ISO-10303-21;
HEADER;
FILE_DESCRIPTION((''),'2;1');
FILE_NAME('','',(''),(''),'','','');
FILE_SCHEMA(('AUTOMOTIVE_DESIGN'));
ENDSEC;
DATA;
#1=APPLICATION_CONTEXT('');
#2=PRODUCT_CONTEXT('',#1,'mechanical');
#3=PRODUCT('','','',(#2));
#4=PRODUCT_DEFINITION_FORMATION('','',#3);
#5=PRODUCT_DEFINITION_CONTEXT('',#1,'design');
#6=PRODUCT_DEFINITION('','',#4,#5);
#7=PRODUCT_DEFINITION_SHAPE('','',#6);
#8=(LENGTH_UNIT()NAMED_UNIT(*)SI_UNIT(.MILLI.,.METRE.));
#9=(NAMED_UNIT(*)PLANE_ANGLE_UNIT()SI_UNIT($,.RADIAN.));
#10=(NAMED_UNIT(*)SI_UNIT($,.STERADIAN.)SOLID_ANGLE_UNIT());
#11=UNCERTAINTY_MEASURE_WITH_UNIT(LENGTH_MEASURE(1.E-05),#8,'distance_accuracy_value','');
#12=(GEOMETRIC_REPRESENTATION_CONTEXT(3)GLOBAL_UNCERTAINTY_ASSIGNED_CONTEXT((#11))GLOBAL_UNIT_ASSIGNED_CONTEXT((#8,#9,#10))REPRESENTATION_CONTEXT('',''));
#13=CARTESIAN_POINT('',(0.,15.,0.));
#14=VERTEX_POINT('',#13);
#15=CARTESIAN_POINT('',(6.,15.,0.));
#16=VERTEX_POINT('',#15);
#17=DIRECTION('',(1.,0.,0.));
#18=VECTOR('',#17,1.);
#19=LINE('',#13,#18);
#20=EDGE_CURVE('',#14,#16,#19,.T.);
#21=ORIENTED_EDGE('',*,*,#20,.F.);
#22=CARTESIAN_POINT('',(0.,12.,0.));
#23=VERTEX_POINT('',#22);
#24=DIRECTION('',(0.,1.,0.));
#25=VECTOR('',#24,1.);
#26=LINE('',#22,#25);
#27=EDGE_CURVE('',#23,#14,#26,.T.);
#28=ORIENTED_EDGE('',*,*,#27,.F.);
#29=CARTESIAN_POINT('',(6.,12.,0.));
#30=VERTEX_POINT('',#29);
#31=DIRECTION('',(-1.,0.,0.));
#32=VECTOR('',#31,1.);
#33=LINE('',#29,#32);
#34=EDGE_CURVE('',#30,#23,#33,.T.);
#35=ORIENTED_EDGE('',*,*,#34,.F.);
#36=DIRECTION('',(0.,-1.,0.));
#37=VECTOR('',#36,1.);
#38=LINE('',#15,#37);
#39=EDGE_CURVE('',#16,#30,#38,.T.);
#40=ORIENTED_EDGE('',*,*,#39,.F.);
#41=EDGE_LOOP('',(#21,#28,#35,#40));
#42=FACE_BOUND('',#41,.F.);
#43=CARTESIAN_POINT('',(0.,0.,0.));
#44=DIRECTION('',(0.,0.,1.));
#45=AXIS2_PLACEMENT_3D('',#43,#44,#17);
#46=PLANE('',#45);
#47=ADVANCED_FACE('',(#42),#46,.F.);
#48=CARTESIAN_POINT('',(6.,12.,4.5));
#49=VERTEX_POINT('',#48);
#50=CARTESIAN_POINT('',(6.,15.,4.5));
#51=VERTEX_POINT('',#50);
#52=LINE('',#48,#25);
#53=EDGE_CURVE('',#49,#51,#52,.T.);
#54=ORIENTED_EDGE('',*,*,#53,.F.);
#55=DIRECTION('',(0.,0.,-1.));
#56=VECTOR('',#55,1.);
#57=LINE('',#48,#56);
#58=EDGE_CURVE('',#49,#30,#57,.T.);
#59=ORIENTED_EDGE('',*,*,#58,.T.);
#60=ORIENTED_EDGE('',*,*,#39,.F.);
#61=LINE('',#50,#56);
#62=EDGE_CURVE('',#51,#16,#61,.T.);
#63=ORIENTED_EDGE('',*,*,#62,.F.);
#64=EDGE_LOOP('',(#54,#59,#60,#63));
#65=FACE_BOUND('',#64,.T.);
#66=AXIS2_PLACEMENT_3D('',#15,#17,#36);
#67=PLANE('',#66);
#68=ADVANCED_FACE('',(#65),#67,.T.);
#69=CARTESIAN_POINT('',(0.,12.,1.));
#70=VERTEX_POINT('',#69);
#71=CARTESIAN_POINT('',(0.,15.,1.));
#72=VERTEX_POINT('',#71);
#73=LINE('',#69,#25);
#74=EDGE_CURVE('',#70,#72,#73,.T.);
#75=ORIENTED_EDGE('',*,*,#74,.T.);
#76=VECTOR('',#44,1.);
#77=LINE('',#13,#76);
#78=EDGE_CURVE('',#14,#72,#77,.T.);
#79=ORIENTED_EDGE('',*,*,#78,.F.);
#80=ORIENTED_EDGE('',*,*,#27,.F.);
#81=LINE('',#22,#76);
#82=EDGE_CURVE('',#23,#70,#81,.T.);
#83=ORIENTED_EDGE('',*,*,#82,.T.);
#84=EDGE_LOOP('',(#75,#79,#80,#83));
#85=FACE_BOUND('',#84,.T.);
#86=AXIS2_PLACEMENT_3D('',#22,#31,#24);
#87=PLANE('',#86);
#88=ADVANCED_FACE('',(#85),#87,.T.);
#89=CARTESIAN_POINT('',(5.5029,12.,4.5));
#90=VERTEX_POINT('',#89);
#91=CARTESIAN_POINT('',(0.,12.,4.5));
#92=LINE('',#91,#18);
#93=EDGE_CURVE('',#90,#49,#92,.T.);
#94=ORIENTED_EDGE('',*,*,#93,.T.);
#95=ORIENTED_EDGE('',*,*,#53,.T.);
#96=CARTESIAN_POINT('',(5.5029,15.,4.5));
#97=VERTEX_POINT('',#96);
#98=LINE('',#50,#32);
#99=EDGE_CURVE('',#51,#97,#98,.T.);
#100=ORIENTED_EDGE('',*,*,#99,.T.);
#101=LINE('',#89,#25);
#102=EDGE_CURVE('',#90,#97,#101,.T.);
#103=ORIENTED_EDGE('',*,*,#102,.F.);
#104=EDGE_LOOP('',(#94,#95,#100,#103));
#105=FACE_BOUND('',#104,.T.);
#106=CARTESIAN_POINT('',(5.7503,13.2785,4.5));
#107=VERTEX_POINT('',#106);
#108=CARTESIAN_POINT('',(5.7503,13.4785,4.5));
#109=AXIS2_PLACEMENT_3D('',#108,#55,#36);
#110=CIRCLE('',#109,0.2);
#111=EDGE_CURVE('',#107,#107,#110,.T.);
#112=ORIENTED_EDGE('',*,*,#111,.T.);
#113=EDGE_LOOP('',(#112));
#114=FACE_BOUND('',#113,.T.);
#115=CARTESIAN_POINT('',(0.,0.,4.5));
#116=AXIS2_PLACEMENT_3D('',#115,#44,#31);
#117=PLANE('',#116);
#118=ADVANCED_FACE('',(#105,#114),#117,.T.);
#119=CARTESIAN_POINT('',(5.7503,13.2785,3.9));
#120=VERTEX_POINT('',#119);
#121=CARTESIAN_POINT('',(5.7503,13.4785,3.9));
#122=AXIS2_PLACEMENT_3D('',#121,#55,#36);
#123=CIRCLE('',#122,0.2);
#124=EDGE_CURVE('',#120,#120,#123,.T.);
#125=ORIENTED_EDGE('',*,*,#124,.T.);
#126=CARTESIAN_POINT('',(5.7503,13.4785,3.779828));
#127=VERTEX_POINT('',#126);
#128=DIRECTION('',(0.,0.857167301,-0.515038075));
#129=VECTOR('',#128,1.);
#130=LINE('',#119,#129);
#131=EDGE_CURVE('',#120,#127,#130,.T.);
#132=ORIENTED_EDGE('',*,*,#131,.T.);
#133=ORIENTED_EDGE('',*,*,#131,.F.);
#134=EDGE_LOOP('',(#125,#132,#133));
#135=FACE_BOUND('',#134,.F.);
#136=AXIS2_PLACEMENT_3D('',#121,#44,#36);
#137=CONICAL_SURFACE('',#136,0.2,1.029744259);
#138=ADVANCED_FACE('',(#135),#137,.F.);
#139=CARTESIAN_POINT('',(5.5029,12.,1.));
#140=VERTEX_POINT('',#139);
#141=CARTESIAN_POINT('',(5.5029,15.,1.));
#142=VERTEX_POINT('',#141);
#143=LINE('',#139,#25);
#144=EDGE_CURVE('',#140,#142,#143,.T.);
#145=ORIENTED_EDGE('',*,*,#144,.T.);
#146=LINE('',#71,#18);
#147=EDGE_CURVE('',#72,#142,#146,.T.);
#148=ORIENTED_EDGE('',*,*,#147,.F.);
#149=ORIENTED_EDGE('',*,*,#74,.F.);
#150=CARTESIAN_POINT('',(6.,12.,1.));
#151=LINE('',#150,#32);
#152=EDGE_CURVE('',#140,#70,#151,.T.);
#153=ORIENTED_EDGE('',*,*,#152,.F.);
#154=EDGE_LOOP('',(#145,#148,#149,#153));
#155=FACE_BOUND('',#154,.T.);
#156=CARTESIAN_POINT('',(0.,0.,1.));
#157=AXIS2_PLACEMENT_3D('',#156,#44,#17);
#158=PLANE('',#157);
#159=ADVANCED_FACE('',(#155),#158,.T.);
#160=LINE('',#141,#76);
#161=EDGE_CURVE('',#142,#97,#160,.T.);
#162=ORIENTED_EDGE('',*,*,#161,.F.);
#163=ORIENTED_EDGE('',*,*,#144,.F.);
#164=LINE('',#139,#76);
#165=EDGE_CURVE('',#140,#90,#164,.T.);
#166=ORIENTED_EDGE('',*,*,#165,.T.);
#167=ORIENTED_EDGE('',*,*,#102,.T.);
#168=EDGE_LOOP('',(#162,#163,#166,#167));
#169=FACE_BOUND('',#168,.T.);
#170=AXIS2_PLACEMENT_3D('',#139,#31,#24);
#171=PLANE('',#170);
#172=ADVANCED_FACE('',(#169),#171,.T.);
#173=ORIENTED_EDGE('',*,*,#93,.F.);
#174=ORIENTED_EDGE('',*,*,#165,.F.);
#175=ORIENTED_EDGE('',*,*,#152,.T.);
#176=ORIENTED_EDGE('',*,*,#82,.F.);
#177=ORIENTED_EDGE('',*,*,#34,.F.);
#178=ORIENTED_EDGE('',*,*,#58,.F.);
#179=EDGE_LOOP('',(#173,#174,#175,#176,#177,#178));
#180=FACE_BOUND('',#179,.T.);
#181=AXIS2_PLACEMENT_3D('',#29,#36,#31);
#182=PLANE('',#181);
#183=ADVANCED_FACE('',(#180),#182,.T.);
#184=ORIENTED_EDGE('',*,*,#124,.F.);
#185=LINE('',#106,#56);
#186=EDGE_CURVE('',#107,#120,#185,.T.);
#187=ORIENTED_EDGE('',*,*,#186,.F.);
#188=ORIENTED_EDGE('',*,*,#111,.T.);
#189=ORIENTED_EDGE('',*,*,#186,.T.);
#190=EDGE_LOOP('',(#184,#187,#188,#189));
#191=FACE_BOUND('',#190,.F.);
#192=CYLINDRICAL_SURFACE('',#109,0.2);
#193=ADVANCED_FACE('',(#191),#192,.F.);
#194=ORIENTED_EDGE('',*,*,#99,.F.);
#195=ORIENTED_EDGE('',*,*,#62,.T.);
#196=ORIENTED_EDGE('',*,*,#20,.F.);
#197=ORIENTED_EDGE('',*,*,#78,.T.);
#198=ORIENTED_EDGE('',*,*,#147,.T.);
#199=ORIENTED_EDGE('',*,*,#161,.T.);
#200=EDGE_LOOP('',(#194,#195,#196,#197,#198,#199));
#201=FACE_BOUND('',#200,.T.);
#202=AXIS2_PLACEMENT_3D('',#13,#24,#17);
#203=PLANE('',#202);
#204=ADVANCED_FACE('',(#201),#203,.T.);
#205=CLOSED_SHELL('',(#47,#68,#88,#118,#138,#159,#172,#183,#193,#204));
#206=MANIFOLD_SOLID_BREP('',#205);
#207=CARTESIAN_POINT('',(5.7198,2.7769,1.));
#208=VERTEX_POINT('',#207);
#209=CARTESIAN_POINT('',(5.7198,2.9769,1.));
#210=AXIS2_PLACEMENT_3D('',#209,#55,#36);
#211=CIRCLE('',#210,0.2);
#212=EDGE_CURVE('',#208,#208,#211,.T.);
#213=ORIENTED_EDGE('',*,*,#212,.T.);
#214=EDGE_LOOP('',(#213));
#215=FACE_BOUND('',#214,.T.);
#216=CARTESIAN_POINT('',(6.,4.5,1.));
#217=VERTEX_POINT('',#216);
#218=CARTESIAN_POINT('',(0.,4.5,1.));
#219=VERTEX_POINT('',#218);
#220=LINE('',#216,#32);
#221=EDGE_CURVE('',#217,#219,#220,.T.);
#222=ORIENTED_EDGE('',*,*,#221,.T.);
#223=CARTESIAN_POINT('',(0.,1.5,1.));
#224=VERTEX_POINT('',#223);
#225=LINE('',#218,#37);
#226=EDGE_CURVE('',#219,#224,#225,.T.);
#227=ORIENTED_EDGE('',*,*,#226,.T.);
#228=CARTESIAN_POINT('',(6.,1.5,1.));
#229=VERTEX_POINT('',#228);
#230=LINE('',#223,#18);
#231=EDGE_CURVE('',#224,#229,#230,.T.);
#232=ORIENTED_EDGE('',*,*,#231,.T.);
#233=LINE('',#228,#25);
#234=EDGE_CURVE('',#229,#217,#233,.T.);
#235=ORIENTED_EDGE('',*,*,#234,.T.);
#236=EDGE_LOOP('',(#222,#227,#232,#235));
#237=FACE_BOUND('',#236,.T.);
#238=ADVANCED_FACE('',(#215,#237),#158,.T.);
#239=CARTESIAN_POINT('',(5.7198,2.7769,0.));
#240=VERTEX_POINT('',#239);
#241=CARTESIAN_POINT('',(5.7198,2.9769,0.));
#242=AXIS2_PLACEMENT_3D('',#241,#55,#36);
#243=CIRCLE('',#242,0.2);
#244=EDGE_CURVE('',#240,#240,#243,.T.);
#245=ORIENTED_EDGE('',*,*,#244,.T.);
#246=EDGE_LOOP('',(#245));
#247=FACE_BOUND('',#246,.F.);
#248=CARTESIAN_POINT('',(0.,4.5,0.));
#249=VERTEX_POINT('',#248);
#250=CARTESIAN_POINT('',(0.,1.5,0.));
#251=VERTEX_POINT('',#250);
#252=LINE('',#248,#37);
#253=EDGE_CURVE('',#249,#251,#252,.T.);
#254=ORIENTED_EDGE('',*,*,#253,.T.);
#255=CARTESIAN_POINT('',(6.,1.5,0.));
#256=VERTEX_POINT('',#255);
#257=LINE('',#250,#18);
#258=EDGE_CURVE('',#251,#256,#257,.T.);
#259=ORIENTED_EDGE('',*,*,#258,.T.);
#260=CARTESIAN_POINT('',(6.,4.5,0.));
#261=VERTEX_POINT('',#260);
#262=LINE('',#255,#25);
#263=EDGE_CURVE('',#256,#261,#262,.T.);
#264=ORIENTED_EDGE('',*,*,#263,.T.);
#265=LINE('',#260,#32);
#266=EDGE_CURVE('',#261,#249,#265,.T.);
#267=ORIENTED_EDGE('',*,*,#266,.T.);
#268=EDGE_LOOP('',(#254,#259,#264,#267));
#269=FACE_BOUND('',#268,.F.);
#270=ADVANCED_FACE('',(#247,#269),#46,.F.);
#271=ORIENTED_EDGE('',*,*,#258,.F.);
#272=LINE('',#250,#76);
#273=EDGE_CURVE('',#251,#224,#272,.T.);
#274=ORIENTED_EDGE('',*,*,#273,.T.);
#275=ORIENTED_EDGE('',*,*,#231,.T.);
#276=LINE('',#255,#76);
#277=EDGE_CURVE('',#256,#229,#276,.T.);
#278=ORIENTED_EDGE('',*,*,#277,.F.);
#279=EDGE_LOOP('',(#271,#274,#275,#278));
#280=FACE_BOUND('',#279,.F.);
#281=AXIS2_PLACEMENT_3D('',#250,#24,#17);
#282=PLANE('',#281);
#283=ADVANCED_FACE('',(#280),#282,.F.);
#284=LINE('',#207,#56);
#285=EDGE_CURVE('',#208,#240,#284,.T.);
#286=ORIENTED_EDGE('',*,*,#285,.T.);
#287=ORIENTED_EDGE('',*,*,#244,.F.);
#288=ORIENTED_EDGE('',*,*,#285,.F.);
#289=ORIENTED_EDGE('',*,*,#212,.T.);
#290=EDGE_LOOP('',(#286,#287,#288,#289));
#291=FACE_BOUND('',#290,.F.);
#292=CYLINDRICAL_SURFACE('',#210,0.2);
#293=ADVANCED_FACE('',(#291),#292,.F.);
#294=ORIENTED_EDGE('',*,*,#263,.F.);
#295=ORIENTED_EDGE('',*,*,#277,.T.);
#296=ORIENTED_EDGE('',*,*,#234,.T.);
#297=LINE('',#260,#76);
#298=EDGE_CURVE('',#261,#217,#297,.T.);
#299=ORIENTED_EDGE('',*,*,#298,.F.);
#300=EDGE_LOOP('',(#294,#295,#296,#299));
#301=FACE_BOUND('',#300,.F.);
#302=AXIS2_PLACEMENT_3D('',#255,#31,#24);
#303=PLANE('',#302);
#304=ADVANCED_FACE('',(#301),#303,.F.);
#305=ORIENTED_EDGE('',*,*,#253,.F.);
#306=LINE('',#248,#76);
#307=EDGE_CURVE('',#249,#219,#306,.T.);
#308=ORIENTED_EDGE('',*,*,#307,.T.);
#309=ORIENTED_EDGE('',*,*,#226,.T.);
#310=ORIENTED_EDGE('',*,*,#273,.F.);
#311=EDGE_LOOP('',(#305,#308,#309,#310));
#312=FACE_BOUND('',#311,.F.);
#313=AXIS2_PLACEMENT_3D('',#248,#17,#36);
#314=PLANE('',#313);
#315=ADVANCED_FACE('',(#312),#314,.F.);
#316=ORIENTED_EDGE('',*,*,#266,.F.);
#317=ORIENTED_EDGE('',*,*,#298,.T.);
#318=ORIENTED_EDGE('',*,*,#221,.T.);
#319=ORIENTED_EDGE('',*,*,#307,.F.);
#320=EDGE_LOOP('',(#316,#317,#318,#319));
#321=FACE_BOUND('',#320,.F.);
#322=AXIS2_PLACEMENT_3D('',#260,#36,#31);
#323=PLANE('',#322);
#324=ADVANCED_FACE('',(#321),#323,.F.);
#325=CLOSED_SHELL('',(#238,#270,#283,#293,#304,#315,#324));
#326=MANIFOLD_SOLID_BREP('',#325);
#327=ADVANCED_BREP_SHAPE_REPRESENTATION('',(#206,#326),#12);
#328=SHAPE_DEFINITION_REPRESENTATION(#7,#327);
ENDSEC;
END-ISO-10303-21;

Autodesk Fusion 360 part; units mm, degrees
sketch "草图1" plane through (0, 0, 0) normal (0, 0, 1) x (1, 0, 0)
  line L0 (0, 15) -> (6, 15)
  line L1 (6, 15) -> (6, 12)
  line L2 (6, 12) -> (0, 12)
  line L3 (0, 12) -> (0, 15)
extrude "拉伸1" add sketch "草图1" along normal blind 1 makes body 1
sketch "草图2" plane through (0, 0, 0) normal (0, 0, 1) x (1, 0, 0)
  line L0 (0, 1.5) -> (6, 1.5)
  line L1 (6, 1.5) -> (6, 4.5)
  line L2 (6, 4.5) -> (0, 4.5)
  line L3 (0, 4.5) -> (0, 1.5)
extrude "拉伸2" add sketch "草图2" along normal blind 1 separate body makes body 2
sketch "草图3" plane through (0, 0, 1) normal (0, 0, 1) x (-1, 0, 0)
  line L0 (0, -12) -> (-6, -12)
  line L1 (-6, -12) -> (-6, -15)
  line L2 (-6, -15) -> (0, -15)
  line L3 (0, -15) -> (0, -12)
  line L4 (-5.5029, -15) -> (-6, -15)
  line L5 (-6, -15) -> (-6, -12)
  line L6 (-6, -12) -> (-5.5029, -12)
  line L7 (-5.5029, -12) -> (-5.5029, -15)
extrude "拉伸3" add sketch "草图3" along normal blind 3.5 contours L0 L1 L2 L4 L5 L6 L7 bodies 1
hole "孔1" at (5.7503, 13.4785, 4.5) direction (0, 0, -1) diameter 0.4 depth 0.6 tip angle 118 bodies 1
hole "孔2" at (5.7198, 2.9769, 1) direction (0, 0, -1) diameter 0.4 depth 1 tip angle 118 bodies 2
